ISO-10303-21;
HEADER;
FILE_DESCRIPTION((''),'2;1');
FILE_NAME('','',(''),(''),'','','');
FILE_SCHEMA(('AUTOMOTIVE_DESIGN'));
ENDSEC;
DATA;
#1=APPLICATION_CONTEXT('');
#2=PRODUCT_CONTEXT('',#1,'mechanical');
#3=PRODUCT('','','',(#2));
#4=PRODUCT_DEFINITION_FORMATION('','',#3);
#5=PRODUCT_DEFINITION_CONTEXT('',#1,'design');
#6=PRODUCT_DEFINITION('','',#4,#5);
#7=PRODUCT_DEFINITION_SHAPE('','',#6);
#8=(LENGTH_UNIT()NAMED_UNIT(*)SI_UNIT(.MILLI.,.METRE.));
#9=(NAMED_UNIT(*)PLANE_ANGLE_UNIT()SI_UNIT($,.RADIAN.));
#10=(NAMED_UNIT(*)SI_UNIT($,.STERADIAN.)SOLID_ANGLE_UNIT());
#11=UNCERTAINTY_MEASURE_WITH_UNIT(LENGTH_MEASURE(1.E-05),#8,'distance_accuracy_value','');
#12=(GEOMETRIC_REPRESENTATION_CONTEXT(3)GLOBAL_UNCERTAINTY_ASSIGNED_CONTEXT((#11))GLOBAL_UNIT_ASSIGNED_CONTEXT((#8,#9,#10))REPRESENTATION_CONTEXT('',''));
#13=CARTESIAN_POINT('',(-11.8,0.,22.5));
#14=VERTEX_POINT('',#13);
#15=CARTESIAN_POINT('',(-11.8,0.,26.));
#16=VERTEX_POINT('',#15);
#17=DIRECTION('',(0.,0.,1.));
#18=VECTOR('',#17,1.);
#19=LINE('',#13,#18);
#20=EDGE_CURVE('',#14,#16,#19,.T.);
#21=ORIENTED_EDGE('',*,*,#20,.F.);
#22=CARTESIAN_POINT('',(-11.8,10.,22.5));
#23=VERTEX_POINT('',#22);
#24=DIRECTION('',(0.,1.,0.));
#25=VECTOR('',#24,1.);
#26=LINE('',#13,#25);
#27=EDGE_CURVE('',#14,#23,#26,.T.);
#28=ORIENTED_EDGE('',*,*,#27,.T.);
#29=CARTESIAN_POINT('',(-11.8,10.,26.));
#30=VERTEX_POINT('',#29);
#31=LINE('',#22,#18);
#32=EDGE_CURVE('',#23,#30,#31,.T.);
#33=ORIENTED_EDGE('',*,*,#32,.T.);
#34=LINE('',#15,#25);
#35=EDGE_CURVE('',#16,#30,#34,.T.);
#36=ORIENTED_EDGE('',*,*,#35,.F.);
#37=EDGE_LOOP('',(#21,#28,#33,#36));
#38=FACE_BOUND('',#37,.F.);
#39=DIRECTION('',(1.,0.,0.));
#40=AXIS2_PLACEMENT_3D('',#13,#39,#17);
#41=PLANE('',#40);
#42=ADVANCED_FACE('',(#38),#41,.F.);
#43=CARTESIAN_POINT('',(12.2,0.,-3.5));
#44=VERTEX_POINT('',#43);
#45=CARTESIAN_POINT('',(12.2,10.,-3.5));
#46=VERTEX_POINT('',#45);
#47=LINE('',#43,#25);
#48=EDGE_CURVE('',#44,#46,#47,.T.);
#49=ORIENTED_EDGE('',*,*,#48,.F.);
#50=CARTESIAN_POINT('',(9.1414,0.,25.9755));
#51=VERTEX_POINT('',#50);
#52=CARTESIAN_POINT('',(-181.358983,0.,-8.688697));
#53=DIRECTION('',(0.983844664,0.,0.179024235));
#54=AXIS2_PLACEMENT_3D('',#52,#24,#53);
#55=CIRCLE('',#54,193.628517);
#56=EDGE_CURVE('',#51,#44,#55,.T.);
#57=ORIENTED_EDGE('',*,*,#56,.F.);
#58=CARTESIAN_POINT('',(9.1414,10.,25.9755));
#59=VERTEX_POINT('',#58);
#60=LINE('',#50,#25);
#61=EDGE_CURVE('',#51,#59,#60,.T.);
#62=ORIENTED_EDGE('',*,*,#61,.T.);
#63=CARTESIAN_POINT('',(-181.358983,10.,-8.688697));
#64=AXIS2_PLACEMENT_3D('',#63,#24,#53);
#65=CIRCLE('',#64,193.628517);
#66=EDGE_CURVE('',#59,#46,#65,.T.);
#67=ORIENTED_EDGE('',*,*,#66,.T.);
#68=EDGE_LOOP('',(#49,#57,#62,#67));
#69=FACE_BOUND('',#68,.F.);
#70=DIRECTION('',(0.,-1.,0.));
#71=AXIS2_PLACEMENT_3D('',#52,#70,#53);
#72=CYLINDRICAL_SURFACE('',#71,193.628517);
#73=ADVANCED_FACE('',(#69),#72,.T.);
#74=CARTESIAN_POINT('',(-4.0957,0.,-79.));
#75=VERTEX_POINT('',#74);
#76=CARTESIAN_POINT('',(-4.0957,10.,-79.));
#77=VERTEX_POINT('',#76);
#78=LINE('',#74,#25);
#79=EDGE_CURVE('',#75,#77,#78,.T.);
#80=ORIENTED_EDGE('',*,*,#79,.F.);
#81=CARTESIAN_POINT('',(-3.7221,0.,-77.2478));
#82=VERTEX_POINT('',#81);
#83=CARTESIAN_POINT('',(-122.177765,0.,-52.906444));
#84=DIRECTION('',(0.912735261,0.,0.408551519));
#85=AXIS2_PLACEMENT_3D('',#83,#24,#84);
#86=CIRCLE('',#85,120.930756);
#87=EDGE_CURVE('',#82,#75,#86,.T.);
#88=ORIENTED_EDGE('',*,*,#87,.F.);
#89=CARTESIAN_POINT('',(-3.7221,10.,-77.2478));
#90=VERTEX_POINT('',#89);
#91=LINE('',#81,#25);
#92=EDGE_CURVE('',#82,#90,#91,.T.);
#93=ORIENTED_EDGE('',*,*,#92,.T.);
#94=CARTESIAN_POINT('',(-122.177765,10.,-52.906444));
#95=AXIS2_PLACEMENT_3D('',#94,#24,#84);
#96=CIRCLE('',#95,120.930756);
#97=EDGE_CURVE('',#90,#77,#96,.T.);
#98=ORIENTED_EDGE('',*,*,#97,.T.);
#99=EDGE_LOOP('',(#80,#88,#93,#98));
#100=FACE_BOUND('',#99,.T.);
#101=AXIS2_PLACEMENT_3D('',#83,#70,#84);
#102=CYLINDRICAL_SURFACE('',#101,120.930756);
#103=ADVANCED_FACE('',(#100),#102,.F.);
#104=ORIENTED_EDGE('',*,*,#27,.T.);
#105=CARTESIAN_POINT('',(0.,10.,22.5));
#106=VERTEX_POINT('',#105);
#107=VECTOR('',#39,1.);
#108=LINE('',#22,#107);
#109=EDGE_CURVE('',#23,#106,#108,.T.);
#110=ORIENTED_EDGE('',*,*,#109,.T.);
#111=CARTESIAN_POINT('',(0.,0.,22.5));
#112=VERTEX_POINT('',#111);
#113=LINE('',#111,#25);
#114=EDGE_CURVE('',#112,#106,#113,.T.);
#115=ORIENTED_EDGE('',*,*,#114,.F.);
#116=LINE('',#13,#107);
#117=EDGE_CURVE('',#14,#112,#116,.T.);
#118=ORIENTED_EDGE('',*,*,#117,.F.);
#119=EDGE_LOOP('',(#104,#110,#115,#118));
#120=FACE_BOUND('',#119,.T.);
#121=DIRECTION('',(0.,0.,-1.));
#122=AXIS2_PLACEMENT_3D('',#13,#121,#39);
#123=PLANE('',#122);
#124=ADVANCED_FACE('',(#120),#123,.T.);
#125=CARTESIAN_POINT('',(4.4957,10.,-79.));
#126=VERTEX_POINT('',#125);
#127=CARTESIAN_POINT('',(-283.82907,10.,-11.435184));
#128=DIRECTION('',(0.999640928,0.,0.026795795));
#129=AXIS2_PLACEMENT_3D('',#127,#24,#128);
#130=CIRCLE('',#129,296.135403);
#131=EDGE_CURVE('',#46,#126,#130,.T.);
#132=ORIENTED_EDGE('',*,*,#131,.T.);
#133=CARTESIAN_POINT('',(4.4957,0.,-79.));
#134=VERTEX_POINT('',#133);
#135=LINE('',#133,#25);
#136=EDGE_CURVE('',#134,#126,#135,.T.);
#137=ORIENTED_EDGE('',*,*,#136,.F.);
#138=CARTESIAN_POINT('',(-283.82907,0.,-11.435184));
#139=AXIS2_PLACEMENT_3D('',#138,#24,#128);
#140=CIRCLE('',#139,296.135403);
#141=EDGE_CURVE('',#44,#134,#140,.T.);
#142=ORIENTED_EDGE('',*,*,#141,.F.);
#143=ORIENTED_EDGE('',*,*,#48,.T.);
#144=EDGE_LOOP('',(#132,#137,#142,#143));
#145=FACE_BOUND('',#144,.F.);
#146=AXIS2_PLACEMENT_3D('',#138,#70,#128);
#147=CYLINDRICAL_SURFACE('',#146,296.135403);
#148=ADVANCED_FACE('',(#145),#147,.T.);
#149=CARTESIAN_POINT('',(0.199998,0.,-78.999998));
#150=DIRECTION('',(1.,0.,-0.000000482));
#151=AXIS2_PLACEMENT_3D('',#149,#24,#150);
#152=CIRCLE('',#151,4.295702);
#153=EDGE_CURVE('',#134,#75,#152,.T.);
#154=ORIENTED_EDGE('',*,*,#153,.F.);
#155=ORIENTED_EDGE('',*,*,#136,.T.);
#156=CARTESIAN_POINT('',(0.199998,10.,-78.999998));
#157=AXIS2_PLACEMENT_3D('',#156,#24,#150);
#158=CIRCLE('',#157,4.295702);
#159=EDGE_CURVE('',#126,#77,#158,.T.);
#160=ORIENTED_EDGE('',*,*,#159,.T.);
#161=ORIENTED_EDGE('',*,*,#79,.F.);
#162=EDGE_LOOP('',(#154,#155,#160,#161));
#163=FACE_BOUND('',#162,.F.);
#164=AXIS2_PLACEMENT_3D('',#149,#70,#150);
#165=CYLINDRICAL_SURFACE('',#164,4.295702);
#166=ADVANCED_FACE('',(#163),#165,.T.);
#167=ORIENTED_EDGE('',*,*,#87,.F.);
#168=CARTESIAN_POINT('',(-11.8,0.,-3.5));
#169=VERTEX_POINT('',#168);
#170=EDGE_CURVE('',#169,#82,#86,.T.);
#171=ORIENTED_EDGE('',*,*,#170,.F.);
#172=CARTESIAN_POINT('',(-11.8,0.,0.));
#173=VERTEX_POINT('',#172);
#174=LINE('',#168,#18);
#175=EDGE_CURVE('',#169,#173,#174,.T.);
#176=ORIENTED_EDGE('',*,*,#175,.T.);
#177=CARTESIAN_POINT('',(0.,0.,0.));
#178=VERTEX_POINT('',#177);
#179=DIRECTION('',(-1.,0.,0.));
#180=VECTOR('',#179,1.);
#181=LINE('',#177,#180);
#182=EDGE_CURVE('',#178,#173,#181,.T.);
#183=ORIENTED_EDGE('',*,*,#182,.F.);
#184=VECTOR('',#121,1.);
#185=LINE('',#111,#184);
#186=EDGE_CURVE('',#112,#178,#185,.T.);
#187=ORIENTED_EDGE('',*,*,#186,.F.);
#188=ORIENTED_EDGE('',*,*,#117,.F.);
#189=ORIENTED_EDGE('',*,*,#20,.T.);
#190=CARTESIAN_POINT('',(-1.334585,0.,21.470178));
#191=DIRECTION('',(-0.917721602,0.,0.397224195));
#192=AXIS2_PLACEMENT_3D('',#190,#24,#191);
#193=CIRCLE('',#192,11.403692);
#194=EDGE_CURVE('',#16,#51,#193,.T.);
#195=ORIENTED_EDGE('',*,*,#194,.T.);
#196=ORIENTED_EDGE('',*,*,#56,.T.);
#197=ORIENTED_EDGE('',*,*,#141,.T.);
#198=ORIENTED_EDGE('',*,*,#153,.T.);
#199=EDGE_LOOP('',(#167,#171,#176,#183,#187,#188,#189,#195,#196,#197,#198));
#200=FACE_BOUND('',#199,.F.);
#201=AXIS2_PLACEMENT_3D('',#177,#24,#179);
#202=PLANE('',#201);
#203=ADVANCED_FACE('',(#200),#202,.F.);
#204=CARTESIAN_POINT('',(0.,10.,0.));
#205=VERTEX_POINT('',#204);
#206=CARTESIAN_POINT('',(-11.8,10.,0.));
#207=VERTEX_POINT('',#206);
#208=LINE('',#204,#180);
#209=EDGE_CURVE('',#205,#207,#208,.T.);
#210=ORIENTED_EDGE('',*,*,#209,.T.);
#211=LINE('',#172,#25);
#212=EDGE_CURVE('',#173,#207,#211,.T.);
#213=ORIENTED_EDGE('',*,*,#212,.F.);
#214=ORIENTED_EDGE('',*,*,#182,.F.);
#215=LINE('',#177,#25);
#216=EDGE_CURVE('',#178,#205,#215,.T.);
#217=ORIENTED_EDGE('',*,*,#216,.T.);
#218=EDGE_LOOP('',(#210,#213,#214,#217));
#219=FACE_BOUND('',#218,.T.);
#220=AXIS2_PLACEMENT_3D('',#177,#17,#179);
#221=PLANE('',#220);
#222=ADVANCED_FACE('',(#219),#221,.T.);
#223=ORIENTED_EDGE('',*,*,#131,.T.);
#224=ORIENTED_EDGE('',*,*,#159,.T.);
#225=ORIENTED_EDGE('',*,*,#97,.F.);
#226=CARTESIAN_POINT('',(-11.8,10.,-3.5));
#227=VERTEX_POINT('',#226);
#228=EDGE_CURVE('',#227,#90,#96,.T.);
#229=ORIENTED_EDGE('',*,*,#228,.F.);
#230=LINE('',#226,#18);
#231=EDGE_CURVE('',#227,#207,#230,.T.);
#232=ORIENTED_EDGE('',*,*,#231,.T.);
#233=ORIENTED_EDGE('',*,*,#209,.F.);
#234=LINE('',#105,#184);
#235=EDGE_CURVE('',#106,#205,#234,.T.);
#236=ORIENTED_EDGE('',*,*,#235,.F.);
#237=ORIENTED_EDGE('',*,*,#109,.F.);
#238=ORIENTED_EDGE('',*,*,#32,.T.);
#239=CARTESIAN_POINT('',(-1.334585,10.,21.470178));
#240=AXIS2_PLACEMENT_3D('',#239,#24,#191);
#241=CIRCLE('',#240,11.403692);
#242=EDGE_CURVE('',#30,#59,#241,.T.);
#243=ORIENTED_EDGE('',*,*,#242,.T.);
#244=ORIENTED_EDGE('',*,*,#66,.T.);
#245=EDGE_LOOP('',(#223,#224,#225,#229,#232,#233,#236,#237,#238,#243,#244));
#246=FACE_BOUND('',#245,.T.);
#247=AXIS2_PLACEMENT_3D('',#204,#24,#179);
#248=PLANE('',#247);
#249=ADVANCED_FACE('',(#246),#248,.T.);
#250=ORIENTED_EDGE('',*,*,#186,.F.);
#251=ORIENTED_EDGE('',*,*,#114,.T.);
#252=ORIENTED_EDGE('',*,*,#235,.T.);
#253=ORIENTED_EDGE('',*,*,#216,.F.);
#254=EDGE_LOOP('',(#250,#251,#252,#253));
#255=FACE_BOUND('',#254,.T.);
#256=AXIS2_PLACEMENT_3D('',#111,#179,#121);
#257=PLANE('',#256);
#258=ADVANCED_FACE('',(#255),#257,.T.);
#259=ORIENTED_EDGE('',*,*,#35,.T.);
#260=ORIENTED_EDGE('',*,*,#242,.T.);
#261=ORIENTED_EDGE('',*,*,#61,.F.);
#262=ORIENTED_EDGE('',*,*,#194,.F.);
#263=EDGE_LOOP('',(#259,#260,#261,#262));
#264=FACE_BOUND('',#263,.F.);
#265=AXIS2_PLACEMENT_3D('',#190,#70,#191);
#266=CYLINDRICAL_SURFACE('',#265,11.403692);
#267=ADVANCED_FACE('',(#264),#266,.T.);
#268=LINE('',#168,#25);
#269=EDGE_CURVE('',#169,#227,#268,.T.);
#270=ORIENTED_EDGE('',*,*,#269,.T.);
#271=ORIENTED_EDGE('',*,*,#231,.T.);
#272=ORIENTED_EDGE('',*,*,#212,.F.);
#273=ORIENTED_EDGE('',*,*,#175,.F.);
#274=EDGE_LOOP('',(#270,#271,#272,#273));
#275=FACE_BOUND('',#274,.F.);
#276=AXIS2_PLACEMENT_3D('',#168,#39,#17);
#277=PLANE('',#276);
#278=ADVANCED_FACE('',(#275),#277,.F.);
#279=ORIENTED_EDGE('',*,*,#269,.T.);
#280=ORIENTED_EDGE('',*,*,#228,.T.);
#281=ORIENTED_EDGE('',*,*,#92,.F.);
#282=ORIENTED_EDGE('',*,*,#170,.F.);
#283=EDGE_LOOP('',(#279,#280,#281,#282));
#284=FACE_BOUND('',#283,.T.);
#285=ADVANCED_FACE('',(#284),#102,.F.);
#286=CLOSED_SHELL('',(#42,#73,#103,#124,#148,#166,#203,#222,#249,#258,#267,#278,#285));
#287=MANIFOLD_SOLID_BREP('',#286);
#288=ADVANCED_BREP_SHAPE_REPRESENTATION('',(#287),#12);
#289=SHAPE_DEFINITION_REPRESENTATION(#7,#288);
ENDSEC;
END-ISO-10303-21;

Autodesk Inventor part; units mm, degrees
ref_plane "YZ Plane" through (0, 0, 0) normal (1, 0, 0) x (0, 1, 0)
ref_plane "XZ Plane" through (0, 0, 0) normal (0, 1, 0) x (-1, 0, 0)
ref_plane "XY Plane" through (0, 0, 0) normal (0, 0, 1) x (1, 0, 0)
sketch "Sketch2" plane through (0, 0, 0) normal (0, 1, 0) x (-1, 0, 0)
  line L0 (0, 0) -> (11.8, 0)
  line L1 (11.8, 16.9404) -> (11.8, 22.5)
  line L2 (11.8, 22.5) -> (0, 22.5)
  line L3 (0, 22.5) -> (0, 0)
  arc A0 (-9.1414, 25.9755) -> (-12.2, -3.5) centre (181.3562, -8.6883) ccw
  arc A1 (11.8, 26) -> (-9.1414, 25.9755) centre (1.3346, 21.4702) ccw
  arc A2 (-4.4957, -79) -> (3.7221, -77.2478) centre (-0.2, -79) ccw
  arc A3 (-12.2, -3.5) -> (-4.4957, -79) centre (283.8313, -11.4351) ccw
  arc A4 (11.8, -3.5) -> (4.0957, -79) centre (122.1776, -52.9064) ccw
  line L4 (11.8, -3.5) -> (11.8, 0)
  line L5 (11.8, 22.5) -> (11.8, 26)
  dimension "d2" = 11.8
  dimension "d3" = 22.5
extrude "Extrusion1" add sketch "Sketch2" along normal blind 10 contours L0 L4 A4 A2 A3 A0 A1 L5 L2 L3
